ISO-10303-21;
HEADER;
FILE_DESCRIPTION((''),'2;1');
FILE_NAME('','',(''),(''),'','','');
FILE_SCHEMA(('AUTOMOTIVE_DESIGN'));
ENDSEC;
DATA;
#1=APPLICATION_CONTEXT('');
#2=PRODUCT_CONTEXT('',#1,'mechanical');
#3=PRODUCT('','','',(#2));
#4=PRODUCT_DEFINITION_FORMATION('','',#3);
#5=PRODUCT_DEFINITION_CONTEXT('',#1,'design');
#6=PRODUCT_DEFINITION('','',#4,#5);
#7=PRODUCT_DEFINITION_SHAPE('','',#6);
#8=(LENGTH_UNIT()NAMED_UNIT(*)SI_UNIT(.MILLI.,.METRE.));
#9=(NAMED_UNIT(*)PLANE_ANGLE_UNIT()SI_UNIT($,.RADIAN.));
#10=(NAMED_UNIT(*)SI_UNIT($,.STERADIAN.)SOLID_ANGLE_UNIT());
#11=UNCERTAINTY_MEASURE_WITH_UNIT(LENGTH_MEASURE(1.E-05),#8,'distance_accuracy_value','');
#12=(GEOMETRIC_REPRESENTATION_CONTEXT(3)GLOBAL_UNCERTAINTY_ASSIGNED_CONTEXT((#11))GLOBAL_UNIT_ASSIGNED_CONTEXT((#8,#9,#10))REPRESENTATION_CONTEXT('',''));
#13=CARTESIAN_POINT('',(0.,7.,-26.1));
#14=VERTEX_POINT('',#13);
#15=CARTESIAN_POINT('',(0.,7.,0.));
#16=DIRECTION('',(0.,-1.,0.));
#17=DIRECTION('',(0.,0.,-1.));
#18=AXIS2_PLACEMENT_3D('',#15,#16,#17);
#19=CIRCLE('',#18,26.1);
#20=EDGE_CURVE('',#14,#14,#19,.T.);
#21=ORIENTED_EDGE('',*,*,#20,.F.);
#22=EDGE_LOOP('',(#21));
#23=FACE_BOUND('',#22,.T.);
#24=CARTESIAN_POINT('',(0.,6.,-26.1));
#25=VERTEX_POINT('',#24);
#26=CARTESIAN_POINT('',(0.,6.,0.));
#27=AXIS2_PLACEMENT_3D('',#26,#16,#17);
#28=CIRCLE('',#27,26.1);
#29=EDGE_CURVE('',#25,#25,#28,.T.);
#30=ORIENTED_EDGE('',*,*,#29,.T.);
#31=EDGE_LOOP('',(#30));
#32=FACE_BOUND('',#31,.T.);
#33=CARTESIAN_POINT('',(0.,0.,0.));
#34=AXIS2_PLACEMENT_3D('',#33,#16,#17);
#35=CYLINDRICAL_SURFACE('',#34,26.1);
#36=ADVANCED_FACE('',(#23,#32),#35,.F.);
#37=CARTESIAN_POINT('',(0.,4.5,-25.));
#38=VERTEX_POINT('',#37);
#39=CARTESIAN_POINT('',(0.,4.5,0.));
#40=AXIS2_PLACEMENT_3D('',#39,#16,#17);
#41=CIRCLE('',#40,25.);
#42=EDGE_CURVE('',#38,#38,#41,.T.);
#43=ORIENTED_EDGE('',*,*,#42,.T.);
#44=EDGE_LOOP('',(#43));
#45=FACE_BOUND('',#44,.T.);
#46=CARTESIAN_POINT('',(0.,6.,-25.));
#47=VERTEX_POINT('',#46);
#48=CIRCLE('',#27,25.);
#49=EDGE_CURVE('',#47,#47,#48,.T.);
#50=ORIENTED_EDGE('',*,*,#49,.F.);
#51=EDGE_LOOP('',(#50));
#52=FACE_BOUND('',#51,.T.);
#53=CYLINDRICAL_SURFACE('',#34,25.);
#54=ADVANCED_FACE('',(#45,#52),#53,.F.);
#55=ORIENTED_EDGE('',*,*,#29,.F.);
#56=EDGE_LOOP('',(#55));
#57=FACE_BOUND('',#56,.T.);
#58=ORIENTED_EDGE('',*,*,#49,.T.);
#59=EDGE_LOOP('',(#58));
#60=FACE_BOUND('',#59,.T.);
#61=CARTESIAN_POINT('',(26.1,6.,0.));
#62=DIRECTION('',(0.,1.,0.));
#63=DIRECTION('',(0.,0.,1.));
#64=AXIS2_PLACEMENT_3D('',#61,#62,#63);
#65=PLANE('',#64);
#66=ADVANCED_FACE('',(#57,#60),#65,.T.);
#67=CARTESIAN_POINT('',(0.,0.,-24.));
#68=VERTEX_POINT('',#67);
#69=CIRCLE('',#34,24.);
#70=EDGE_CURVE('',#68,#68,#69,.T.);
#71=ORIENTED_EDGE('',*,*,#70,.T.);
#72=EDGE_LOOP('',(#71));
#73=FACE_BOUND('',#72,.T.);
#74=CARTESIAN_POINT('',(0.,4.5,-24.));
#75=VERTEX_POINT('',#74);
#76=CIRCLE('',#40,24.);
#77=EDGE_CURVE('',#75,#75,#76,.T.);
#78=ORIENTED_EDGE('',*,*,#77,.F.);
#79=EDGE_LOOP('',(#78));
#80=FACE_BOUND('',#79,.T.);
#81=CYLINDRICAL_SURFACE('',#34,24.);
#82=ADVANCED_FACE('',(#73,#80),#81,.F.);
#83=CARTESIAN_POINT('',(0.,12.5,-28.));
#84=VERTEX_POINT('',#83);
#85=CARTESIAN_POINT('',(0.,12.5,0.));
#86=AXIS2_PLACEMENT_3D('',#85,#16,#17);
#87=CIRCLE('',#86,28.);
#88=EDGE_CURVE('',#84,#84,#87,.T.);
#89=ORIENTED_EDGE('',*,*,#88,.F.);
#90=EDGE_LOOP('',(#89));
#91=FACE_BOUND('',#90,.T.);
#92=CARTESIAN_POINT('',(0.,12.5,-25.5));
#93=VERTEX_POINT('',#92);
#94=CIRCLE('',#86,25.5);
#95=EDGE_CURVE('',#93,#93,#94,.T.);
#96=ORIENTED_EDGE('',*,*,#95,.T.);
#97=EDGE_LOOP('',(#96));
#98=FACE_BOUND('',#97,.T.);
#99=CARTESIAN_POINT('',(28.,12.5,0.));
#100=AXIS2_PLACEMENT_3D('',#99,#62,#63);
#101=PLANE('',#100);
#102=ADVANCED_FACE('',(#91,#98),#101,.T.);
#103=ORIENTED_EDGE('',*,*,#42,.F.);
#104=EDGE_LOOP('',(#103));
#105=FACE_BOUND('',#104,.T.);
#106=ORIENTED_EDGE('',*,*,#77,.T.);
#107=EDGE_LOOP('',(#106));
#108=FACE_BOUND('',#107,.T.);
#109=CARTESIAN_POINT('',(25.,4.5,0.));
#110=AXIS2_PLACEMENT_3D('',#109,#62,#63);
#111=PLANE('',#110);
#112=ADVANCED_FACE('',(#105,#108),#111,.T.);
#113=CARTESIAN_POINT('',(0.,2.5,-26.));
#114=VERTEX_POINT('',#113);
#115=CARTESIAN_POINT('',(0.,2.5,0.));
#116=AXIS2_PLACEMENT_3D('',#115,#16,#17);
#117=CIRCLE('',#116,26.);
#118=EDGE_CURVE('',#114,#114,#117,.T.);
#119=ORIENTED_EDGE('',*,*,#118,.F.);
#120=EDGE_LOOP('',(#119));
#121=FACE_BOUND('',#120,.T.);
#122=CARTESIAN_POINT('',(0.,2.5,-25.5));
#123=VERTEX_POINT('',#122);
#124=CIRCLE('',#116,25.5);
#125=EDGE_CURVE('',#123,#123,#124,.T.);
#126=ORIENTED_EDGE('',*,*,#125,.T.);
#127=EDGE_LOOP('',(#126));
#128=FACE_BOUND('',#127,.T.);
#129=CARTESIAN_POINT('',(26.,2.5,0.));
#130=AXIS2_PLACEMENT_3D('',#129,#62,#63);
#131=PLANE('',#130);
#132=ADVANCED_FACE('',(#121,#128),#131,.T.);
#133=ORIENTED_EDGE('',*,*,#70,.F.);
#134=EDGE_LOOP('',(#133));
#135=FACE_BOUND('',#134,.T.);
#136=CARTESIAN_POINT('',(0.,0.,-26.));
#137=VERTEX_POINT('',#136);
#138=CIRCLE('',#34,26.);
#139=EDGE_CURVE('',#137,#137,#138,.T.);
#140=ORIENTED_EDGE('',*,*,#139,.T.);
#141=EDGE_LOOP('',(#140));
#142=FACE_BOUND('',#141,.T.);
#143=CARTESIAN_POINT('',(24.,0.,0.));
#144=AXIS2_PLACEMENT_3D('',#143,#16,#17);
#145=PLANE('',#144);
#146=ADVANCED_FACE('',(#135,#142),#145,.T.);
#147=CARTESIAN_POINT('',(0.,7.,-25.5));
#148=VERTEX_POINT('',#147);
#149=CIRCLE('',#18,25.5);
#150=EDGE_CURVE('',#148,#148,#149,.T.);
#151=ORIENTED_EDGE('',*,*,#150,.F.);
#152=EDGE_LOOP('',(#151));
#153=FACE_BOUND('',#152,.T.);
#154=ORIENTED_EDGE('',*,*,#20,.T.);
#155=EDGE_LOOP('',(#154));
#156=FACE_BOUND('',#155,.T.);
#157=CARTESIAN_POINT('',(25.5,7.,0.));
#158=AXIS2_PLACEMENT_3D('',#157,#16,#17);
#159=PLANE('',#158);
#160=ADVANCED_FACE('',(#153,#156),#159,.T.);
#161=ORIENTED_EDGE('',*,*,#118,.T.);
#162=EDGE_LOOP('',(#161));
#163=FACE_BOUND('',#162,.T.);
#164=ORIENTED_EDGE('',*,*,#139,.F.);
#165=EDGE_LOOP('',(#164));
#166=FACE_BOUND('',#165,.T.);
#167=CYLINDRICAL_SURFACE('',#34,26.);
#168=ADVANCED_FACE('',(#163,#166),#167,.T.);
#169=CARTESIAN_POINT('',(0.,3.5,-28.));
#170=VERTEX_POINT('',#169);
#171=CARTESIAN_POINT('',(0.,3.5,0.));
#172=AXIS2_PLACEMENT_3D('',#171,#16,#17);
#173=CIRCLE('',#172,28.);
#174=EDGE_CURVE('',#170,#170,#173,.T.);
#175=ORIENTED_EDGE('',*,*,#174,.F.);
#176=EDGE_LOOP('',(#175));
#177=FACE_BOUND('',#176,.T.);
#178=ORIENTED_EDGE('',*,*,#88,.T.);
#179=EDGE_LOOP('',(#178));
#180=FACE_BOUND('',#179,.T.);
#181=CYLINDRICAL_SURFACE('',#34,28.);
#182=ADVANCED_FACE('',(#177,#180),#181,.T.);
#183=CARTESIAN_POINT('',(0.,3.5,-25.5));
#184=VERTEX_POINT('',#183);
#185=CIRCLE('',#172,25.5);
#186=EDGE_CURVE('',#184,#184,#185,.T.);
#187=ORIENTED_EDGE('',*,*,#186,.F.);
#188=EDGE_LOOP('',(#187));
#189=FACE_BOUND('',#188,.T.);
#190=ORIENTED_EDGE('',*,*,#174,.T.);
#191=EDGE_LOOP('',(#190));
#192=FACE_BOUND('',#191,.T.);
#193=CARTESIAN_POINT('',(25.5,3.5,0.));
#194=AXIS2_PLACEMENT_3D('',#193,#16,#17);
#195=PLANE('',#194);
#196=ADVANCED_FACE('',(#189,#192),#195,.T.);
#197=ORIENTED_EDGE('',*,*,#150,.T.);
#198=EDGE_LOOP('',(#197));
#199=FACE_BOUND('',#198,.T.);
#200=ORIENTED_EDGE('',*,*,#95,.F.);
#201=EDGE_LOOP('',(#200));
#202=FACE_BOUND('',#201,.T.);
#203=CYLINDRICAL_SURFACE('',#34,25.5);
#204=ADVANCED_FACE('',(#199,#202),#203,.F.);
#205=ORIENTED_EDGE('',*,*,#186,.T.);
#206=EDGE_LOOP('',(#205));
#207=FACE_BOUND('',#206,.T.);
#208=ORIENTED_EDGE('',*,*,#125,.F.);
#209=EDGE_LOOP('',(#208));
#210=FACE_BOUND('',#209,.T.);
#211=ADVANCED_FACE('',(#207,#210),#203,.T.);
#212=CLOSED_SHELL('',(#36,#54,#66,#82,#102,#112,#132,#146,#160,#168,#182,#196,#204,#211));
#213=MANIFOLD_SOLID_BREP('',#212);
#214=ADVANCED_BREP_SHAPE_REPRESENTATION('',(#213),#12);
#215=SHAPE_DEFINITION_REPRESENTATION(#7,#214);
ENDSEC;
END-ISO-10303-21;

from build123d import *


with BuildPart() as part:
    # 草图1 → 旋转1 (revolve)
    with BuildSketch(Plane.XY, mode=Mode.PRIVATE) as revolve_1_sk:
        Polygon((24, 0), (26, 0), (26, 2.5), (25.5, 2.5), (25.5, 3.5), (28, 3.5), (28, 12.5), (25.5, 12.5), (25.5, 7), (26.1, 7), (26.1, 6), (25, 6), (25, 4.5), (24, 4.5), align=None)
    revolve(revolve_1_sk.sketch.rotate(Axis((0, 0, 0), (0, 1, 0)), 90), axis=Axis((0, 0, 0), (0, 1, 0)))  # turned: the seam where the file's is


solid = part.part
